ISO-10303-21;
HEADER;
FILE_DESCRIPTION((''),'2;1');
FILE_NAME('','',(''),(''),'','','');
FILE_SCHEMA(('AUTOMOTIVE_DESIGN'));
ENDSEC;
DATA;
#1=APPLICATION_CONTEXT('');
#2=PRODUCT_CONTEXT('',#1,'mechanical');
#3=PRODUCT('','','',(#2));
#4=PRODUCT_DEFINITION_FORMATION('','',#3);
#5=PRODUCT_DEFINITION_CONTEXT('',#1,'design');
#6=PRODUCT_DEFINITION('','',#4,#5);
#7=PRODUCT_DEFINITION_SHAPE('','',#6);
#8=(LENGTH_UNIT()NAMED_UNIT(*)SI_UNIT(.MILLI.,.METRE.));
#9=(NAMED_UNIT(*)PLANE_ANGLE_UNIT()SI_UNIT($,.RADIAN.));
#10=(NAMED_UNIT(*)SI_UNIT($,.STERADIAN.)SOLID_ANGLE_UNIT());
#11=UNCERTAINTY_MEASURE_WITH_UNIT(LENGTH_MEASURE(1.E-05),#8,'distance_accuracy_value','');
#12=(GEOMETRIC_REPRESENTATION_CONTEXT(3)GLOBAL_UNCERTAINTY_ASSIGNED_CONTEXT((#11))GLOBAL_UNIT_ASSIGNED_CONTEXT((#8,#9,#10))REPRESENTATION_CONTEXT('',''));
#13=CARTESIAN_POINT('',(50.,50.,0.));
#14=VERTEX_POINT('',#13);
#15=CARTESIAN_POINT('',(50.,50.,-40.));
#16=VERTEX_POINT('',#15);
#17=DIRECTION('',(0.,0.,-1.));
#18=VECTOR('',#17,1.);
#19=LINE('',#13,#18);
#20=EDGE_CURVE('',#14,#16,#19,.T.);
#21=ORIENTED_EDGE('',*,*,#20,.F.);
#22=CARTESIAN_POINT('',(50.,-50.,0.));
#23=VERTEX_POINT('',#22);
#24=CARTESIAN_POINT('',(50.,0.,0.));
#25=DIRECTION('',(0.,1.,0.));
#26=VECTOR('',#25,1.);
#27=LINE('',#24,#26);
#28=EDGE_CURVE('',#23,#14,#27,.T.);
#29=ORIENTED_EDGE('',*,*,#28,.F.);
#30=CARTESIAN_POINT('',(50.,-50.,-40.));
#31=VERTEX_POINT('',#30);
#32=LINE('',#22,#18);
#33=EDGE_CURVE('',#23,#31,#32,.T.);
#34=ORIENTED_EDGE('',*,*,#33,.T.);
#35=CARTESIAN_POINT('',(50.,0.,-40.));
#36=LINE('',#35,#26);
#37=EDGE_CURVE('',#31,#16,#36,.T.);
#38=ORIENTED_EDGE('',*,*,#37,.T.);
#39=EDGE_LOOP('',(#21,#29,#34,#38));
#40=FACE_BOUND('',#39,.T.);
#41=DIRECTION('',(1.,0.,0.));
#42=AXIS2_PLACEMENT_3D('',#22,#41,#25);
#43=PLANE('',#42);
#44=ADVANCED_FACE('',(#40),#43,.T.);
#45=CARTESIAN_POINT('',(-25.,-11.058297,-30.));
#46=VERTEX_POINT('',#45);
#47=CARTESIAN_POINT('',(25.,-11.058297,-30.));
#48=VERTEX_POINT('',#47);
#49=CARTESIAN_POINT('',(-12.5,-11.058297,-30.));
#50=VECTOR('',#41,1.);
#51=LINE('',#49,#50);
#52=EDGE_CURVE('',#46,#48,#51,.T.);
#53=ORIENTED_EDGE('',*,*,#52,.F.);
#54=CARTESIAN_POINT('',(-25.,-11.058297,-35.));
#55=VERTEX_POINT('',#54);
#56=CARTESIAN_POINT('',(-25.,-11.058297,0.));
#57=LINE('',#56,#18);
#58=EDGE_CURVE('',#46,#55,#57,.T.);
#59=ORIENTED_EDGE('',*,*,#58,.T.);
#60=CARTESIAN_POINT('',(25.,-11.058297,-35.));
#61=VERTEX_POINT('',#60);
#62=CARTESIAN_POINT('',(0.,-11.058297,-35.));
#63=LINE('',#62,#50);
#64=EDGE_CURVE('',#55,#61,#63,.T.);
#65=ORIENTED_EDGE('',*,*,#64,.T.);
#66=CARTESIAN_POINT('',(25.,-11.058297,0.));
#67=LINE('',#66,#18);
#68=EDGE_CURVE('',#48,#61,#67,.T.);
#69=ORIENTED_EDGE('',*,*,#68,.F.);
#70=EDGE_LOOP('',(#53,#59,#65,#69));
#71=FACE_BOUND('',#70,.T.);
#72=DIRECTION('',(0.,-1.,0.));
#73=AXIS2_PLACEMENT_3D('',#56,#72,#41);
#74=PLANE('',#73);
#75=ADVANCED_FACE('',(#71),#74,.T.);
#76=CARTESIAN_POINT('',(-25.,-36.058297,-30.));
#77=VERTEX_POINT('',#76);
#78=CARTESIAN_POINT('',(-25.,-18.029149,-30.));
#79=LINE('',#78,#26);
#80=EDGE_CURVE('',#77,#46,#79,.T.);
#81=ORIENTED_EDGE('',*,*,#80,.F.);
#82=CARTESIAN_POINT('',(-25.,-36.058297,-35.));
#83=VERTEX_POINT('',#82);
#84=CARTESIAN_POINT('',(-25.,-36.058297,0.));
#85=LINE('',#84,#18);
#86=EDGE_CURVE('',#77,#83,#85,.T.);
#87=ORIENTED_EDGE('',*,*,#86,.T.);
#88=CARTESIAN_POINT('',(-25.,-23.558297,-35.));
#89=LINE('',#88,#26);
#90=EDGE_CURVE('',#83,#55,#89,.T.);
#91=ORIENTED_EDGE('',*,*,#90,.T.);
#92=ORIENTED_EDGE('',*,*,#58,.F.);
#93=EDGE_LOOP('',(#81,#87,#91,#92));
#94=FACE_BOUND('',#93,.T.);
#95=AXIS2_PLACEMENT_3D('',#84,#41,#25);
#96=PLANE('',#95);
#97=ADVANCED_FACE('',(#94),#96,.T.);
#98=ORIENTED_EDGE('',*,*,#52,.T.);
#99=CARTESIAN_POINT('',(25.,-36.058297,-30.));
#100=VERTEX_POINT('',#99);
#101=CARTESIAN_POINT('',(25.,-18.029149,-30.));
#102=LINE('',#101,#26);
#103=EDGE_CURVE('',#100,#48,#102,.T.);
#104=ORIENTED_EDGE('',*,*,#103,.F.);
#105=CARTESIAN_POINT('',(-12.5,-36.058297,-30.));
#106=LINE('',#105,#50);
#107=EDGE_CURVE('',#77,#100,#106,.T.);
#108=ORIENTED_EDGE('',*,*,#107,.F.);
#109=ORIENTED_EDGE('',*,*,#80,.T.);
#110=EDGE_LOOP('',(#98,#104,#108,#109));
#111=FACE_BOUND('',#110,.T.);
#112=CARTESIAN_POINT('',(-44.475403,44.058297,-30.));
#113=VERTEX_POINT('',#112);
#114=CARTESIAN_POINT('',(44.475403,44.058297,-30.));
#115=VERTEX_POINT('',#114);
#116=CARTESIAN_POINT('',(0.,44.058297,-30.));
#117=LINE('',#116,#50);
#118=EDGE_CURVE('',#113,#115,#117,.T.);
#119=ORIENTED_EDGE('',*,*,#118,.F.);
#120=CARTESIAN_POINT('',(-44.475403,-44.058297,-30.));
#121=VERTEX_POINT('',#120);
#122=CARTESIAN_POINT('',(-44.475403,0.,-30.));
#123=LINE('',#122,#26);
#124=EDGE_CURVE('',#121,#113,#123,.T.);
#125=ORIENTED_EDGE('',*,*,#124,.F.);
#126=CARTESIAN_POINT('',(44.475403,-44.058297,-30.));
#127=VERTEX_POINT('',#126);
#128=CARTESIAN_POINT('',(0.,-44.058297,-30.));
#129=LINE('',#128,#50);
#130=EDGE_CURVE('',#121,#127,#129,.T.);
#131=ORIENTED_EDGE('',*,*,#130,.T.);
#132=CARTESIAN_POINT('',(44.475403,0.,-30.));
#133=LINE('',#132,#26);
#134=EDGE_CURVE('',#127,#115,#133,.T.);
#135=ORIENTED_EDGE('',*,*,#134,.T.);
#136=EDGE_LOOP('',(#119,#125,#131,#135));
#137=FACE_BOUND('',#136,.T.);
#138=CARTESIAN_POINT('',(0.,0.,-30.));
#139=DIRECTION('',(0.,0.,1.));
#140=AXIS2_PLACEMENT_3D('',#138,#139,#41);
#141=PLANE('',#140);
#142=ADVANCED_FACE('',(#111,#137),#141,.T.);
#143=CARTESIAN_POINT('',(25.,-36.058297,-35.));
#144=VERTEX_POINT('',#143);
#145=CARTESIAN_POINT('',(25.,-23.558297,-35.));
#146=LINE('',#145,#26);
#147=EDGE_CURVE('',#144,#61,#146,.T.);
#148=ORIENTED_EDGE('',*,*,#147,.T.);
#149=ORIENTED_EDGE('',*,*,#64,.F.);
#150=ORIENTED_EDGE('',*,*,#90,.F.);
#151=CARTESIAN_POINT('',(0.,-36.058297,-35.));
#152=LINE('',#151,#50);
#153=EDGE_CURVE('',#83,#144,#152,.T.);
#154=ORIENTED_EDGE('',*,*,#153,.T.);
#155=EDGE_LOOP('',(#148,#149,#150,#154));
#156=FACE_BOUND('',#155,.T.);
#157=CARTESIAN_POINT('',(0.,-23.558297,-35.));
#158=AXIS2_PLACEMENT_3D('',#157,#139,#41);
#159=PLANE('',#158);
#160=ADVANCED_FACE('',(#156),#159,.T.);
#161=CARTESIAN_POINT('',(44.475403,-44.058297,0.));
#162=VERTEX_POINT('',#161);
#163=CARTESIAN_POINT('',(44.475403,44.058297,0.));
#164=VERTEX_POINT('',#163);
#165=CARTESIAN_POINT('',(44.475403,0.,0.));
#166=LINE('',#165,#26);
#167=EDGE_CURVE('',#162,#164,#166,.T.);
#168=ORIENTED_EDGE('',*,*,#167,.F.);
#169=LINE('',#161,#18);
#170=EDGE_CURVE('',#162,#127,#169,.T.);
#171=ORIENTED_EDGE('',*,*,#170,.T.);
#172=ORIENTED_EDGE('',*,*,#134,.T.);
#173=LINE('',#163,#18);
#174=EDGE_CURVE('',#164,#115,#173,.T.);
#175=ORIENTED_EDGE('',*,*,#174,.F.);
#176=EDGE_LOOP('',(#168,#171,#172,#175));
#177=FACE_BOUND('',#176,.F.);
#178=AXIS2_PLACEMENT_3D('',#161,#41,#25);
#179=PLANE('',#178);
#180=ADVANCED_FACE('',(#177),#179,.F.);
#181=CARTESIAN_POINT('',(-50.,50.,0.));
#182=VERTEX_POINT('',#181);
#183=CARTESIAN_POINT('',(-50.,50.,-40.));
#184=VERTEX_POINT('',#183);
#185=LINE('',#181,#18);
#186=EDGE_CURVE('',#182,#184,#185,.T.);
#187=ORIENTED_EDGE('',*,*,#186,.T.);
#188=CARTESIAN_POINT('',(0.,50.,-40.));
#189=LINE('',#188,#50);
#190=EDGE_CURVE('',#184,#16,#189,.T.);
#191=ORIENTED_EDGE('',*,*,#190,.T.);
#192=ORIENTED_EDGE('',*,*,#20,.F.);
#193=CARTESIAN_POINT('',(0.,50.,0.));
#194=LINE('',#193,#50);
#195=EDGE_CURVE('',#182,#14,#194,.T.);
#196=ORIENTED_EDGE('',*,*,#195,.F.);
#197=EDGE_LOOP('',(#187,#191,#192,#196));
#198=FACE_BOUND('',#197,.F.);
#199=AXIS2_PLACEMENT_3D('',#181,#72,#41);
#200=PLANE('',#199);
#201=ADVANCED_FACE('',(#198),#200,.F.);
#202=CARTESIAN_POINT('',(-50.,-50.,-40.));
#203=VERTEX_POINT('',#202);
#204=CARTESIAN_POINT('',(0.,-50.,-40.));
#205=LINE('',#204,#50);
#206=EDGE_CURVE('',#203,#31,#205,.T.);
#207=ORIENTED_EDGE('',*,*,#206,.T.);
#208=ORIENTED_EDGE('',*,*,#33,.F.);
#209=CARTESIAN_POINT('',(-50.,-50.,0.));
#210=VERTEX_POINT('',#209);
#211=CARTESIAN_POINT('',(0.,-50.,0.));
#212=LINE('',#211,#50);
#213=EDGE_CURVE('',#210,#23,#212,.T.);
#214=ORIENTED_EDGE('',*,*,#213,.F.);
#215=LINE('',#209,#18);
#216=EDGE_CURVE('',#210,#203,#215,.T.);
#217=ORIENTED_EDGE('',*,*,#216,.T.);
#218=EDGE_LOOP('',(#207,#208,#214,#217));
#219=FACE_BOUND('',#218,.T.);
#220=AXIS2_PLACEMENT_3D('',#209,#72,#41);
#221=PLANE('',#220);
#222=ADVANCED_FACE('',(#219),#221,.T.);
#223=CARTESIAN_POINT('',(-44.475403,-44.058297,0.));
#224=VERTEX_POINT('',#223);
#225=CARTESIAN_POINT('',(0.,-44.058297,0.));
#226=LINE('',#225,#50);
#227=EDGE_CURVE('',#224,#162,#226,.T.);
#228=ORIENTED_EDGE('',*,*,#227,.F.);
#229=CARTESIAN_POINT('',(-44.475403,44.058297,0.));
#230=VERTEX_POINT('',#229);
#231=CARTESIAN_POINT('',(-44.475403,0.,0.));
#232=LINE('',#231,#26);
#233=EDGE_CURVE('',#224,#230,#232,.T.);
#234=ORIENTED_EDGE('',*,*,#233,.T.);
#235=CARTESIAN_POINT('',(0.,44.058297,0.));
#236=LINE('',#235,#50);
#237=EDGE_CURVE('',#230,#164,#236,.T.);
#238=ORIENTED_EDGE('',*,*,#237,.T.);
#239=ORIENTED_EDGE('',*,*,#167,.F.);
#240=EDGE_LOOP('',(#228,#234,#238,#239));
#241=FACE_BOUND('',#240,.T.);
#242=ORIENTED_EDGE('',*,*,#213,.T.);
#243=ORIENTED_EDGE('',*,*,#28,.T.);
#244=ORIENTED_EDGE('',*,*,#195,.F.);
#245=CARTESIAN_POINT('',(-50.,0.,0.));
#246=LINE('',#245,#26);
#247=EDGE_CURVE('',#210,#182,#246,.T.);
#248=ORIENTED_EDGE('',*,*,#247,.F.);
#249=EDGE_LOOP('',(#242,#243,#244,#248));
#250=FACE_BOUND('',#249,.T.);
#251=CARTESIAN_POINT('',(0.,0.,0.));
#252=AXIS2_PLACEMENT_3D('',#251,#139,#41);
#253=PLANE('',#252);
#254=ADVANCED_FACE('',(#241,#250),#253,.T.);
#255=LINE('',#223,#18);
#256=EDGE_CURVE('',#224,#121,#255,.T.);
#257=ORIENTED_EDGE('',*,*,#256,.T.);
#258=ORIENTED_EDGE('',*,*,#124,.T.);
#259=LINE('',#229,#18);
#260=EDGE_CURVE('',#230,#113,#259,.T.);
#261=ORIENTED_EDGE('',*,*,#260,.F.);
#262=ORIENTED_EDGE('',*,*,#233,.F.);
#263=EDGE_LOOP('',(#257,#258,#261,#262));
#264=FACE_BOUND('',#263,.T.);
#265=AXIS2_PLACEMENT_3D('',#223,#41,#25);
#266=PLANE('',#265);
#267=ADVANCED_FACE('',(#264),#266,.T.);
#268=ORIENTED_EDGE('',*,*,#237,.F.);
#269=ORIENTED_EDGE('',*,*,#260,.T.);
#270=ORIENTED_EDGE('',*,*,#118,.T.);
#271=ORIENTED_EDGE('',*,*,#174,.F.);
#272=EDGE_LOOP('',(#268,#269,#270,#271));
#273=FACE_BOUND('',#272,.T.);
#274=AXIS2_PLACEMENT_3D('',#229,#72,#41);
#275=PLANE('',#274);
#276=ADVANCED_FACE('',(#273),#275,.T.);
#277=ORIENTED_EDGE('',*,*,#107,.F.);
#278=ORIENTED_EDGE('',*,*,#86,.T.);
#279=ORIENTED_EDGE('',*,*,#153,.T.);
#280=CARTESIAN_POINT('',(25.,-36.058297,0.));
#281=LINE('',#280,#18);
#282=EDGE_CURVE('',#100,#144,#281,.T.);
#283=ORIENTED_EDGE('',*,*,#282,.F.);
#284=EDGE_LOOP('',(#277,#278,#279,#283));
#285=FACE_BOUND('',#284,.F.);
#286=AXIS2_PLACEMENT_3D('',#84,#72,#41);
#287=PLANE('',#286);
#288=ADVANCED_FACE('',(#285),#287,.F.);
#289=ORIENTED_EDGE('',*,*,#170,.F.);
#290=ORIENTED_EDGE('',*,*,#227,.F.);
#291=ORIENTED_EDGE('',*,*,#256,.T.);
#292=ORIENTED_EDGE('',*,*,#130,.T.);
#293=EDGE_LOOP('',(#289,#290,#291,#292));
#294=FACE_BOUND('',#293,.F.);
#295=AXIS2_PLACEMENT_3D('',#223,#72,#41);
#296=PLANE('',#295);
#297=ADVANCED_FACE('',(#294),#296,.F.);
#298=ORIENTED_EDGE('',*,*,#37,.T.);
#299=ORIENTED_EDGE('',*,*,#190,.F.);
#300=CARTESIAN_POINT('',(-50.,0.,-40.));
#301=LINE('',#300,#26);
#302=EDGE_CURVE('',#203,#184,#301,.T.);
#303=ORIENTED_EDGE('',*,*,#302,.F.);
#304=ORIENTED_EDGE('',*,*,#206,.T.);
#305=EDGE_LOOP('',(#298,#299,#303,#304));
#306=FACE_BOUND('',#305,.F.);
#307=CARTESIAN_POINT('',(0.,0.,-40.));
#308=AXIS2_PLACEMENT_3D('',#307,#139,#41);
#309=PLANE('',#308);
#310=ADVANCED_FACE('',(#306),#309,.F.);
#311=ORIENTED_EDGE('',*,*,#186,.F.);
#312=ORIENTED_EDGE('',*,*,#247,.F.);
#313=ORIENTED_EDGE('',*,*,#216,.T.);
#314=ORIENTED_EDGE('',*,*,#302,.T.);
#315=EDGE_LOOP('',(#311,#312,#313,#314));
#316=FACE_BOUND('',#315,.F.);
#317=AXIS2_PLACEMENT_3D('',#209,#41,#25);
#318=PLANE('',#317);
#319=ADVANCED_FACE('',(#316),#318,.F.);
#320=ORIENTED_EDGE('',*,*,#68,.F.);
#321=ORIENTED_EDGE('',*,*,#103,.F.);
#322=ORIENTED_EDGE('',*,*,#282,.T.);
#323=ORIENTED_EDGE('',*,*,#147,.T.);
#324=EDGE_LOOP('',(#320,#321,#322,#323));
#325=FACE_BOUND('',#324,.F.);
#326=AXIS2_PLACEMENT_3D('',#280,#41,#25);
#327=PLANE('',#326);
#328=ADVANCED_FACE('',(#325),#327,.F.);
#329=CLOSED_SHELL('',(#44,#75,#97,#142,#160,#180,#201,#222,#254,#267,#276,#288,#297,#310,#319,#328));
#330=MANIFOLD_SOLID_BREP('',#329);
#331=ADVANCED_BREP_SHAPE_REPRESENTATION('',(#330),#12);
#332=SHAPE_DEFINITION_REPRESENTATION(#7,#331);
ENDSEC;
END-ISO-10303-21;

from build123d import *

# Parameters (mm, degrees)
F0_W     = 100
F0_H     = 100
F1_DEPTH = 40
F2_W     = 88.950806
F2_H     = 88.116594
F3_DEPTH = 30
F4_W     = 50
F4_H     = 25
F5_DEPTH = 35


with BuildPart() as f1:
    # F0 (on Top) → F1 (new body)
    with BuildSketch(Plane.XY):
        Rectangle(F0_W, F0_H)
    extrude(amount=-F1_DEPTH)

    # F2 (on face) → F3 (cut)
    with BuildSketch(Plane.XY):
        Rectangle(F2_W, F2_H)
    extrude(amount=-F3_DEPTH, mode=Mode.SUBTRACT)

    # F4 (on Top) → F5 (cut)
    with BuildSketch(Plane.XY):
        with Locations((0, -23.558297)):
            Rectangle(F4_W, F4_H)
    extrude(amount=-F5_DEPTH, mode=Mode.SUBTRACT)


solid = f1.part
